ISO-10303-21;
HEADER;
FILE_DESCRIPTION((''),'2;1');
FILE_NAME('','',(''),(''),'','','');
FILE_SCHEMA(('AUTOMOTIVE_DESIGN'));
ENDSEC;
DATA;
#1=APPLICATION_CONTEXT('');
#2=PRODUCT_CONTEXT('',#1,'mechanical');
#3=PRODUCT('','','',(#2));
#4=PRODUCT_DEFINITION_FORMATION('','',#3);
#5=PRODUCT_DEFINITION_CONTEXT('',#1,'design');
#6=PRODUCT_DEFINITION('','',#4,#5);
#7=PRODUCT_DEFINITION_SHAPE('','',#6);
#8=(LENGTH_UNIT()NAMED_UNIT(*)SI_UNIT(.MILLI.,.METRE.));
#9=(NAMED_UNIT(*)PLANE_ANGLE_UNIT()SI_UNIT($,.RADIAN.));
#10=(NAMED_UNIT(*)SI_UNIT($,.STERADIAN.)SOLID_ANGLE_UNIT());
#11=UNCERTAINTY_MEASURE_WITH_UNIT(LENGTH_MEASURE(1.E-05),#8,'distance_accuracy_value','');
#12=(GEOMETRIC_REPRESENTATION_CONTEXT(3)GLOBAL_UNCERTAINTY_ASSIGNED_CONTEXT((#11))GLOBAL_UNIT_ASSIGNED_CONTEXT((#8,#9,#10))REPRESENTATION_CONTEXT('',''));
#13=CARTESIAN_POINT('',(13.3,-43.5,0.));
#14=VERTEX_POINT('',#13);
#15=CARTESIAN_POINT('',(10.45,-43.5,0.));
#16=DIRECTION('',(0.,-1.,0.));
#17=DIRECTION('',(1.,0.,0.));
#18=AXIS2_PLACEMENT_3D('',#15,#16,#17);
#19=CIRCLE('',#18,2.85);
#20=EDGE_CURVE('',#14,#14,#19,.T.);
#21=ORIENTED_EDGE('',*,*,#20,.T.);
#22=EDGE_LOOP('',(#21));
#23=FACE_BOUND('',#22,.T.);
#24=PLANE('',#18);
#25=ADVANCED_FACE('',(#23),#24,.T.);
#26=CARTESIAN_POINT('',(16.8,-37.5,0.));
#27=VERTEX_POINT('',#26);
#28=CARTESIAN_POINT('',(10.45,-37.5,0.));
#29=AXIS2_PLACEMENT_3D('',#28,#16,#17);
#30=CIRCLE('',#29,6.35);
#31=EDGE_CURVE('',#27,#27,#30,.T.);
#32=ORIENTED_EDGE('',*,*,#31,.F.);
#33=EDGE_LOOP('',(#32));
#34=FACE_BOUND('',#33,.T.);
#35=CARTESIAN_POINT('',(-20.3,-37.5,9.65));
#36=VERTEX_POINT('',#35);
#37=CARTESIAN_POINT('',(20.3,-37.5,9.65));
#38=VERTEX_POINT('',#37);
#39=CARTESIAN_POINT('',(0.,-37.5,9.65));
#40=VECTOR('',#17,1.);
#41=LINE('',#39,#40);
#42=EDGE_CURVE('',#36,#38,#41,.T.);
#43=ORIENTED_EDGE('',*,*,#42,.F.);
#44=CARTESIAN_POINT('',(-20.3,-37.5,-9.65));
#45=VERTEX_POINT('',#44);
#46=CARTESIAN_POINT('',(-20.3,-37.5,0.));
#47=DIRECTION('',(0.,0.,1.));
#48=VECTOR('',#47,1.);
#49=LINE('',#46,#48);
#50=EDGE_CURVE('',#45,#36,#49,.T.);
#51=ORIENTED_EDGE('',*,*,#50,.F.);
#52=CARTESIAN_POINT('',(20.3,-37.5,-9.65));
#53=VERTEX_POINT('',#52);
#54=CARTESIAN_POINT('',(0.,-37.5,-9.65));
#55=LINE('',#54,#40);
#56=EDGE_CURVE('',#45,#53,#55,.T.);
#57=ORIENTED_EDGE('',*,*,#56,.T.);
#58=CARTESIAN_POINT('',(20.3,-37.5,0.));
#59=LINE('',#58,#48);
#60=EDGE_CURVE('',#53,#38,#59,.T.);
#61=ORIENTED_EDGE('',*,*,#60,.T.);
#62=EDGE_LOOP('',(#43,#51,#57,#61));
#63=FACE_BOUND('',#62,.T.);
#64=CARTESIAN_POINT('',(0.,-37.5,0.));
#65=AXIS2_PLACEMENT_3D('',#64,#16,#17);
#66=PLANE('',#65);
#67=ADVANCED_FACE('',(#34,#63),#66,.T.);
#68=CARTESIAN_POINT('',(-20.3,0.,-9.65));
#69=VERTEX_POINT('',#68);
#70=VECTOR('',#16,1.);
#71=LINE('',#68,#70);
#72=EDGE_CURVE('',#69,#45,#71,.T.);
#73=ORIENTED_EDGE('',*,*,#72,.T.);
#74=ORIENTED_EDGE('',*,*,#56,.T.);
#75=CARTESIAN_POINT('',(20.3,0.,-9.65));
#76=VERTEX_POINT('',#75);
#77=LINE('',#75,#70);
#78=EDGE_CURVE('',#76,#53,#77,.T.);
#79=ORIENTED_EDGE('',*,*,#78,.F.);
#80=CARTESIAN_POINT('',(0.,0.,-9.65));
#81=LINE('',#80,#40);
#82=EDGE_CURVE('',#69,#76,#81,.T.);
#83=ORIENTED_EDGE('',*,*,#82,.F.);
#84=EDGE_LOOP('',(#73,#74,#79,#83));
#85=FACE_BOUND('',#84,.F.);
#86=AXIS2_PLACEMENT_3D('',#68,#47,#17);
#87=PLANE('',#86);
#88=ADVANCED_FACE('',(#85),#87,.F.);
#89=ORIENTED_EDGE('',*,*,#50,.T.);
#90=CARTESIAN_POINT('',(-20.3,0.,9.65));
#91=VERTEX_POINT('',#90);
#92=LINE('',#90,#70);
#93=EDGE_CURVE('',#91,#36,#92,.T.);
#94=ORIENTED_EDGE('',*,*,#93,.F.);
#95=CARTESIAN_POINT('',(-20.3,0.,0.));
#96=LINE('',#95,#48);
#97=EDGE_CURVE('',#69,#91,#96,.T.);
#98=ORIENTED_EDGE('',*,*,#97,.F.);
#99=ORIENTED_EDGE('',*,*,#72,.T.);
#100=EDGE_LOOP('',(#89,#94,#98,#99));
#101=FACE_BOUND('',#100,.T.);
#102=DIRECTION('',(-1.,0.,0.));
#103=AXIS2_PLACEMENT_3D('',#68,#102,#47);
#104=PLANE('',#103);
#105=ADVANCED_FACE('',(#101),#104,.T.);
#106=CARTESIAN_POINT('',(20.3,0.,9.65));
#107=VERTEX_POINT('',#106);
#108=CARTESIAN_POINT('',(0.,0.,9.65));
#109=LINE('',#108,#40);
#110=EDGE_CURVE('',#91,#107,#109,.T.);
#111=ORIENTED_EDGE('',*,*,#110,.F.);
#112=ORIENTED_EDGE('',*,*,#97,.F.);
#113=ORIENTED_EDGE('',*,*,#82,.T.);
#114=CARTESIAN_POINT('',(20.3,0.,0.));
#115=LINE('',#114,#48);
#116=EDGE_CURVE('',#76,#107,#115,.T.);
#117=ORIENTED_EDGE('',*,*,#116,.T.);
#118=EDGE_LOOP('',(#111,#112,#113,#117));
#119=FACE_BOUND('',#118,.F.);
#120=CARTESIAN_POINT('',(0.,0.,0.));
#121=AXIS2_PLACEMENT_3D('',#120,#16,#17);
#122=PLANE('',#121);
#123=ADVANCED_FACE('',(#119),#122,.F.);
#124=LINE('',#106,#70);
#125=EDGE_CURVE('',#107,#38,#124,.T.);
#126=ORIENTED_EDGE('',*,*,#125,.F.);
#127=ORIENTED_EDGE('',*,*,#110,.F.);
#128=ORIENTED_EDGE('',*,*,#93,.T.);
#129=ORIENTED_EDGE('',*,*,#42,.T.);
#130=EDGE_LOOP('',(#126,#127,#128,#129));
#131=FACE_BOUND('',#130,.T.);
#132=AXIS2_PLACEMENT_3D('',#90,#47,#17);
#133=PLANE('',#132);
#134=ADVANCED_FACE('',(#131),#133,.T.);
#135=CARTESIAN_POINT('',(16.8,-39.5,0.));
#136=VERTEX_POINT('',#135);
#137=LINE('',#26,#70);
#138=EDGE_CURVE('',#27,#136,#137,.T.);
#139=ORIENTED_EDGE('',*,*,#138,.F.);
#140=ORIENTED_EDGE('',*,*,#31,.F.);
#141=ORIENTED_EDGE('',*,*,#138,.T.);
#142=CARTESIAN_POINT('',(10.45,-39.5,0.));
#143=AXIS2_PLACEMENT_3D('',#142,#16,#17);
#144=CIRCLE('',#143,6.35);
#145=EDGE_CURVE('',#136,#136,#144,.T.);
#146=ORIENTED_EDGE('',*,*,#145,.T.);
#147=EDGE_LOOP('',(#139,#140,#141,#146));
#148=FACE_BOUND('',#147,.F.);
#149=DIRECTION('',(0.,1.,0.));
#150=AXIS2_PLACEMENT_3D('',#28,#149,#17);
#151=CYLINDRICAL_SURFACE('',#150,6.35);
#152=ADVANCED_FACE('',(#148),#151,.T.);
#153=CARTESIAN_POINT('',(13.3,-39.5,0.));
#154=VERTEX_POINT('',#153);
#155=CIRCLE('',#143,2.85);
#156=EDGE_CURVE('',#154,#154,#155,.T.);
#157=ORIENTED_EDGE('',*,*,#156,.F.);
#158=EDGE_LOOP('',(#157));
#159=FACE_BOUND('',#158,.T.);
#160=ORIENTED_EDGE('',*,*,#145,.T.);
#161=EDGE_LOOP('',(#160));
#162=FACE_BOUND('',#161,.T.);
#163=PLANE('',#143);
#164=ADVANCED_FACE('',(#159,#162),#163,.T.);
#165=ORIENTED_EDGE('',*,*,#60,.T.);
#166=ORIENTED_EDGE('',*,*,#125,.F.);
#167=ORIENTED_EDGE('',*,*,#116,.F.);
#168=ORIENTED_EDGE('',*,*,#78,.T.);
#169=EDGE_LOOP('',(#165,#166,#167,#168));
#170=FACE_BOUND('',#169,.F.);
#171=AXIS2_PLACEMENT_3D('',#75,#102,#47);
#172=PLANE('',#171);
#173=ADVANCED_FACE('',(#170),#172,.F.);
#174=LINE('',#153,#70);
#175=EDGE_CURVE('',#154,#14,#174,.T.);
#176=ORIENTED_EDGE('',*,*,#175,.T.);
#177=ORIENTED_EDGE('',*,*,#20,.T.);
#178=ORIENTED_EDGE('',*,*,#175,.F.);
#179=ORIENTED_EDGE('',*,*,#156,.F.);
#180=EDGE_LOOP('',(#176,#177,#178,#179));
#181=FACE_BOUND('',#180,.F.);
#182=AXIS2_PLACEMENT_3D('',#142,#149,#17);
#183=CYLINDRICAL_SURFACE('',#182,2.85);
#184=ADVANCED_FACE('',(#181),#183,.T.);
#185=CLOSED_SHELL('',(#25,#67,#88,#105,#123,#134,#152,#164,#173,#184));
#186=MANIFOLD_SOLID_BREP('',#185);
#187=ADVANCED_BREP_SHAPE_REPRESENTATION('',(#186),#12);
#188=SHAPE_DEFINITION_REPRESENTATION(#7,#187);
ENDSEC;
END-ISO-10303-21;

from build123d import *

# Parameters (mm, degrees)
F0_W     = 40.6
F0_H     = 19.3
F1_DEPTH = 37.5
F2_R     = 6.35
F3_DEPTH = 2
F4_R     = 2.85
F5_DEPTH = 4


with BuildPart() as f1:
    # F0 (on Front) → F1 (new body)
    with BuildSketch(Plane.XZ):
        Rectangle(F0_W, F0_H)
    extrude(amount=F1_DEPTH)

    # F2 (on face) → F3 (join)
    with BuildSketch(Plane.XZ.offset(37.5)):
        with Locations((10.45, 0)):
            Circle(F2_R)
    extrude(amount=F3_DEPTH)

    # F4 (on face) → F5 (join)
    with BuildSketch(Plane.XZ.offset(39.5)):
        with Locations((10.45, 0)):
            Circle(F4_R)
    extrude(amount=F5_DEPTH)


solid = f1.part
